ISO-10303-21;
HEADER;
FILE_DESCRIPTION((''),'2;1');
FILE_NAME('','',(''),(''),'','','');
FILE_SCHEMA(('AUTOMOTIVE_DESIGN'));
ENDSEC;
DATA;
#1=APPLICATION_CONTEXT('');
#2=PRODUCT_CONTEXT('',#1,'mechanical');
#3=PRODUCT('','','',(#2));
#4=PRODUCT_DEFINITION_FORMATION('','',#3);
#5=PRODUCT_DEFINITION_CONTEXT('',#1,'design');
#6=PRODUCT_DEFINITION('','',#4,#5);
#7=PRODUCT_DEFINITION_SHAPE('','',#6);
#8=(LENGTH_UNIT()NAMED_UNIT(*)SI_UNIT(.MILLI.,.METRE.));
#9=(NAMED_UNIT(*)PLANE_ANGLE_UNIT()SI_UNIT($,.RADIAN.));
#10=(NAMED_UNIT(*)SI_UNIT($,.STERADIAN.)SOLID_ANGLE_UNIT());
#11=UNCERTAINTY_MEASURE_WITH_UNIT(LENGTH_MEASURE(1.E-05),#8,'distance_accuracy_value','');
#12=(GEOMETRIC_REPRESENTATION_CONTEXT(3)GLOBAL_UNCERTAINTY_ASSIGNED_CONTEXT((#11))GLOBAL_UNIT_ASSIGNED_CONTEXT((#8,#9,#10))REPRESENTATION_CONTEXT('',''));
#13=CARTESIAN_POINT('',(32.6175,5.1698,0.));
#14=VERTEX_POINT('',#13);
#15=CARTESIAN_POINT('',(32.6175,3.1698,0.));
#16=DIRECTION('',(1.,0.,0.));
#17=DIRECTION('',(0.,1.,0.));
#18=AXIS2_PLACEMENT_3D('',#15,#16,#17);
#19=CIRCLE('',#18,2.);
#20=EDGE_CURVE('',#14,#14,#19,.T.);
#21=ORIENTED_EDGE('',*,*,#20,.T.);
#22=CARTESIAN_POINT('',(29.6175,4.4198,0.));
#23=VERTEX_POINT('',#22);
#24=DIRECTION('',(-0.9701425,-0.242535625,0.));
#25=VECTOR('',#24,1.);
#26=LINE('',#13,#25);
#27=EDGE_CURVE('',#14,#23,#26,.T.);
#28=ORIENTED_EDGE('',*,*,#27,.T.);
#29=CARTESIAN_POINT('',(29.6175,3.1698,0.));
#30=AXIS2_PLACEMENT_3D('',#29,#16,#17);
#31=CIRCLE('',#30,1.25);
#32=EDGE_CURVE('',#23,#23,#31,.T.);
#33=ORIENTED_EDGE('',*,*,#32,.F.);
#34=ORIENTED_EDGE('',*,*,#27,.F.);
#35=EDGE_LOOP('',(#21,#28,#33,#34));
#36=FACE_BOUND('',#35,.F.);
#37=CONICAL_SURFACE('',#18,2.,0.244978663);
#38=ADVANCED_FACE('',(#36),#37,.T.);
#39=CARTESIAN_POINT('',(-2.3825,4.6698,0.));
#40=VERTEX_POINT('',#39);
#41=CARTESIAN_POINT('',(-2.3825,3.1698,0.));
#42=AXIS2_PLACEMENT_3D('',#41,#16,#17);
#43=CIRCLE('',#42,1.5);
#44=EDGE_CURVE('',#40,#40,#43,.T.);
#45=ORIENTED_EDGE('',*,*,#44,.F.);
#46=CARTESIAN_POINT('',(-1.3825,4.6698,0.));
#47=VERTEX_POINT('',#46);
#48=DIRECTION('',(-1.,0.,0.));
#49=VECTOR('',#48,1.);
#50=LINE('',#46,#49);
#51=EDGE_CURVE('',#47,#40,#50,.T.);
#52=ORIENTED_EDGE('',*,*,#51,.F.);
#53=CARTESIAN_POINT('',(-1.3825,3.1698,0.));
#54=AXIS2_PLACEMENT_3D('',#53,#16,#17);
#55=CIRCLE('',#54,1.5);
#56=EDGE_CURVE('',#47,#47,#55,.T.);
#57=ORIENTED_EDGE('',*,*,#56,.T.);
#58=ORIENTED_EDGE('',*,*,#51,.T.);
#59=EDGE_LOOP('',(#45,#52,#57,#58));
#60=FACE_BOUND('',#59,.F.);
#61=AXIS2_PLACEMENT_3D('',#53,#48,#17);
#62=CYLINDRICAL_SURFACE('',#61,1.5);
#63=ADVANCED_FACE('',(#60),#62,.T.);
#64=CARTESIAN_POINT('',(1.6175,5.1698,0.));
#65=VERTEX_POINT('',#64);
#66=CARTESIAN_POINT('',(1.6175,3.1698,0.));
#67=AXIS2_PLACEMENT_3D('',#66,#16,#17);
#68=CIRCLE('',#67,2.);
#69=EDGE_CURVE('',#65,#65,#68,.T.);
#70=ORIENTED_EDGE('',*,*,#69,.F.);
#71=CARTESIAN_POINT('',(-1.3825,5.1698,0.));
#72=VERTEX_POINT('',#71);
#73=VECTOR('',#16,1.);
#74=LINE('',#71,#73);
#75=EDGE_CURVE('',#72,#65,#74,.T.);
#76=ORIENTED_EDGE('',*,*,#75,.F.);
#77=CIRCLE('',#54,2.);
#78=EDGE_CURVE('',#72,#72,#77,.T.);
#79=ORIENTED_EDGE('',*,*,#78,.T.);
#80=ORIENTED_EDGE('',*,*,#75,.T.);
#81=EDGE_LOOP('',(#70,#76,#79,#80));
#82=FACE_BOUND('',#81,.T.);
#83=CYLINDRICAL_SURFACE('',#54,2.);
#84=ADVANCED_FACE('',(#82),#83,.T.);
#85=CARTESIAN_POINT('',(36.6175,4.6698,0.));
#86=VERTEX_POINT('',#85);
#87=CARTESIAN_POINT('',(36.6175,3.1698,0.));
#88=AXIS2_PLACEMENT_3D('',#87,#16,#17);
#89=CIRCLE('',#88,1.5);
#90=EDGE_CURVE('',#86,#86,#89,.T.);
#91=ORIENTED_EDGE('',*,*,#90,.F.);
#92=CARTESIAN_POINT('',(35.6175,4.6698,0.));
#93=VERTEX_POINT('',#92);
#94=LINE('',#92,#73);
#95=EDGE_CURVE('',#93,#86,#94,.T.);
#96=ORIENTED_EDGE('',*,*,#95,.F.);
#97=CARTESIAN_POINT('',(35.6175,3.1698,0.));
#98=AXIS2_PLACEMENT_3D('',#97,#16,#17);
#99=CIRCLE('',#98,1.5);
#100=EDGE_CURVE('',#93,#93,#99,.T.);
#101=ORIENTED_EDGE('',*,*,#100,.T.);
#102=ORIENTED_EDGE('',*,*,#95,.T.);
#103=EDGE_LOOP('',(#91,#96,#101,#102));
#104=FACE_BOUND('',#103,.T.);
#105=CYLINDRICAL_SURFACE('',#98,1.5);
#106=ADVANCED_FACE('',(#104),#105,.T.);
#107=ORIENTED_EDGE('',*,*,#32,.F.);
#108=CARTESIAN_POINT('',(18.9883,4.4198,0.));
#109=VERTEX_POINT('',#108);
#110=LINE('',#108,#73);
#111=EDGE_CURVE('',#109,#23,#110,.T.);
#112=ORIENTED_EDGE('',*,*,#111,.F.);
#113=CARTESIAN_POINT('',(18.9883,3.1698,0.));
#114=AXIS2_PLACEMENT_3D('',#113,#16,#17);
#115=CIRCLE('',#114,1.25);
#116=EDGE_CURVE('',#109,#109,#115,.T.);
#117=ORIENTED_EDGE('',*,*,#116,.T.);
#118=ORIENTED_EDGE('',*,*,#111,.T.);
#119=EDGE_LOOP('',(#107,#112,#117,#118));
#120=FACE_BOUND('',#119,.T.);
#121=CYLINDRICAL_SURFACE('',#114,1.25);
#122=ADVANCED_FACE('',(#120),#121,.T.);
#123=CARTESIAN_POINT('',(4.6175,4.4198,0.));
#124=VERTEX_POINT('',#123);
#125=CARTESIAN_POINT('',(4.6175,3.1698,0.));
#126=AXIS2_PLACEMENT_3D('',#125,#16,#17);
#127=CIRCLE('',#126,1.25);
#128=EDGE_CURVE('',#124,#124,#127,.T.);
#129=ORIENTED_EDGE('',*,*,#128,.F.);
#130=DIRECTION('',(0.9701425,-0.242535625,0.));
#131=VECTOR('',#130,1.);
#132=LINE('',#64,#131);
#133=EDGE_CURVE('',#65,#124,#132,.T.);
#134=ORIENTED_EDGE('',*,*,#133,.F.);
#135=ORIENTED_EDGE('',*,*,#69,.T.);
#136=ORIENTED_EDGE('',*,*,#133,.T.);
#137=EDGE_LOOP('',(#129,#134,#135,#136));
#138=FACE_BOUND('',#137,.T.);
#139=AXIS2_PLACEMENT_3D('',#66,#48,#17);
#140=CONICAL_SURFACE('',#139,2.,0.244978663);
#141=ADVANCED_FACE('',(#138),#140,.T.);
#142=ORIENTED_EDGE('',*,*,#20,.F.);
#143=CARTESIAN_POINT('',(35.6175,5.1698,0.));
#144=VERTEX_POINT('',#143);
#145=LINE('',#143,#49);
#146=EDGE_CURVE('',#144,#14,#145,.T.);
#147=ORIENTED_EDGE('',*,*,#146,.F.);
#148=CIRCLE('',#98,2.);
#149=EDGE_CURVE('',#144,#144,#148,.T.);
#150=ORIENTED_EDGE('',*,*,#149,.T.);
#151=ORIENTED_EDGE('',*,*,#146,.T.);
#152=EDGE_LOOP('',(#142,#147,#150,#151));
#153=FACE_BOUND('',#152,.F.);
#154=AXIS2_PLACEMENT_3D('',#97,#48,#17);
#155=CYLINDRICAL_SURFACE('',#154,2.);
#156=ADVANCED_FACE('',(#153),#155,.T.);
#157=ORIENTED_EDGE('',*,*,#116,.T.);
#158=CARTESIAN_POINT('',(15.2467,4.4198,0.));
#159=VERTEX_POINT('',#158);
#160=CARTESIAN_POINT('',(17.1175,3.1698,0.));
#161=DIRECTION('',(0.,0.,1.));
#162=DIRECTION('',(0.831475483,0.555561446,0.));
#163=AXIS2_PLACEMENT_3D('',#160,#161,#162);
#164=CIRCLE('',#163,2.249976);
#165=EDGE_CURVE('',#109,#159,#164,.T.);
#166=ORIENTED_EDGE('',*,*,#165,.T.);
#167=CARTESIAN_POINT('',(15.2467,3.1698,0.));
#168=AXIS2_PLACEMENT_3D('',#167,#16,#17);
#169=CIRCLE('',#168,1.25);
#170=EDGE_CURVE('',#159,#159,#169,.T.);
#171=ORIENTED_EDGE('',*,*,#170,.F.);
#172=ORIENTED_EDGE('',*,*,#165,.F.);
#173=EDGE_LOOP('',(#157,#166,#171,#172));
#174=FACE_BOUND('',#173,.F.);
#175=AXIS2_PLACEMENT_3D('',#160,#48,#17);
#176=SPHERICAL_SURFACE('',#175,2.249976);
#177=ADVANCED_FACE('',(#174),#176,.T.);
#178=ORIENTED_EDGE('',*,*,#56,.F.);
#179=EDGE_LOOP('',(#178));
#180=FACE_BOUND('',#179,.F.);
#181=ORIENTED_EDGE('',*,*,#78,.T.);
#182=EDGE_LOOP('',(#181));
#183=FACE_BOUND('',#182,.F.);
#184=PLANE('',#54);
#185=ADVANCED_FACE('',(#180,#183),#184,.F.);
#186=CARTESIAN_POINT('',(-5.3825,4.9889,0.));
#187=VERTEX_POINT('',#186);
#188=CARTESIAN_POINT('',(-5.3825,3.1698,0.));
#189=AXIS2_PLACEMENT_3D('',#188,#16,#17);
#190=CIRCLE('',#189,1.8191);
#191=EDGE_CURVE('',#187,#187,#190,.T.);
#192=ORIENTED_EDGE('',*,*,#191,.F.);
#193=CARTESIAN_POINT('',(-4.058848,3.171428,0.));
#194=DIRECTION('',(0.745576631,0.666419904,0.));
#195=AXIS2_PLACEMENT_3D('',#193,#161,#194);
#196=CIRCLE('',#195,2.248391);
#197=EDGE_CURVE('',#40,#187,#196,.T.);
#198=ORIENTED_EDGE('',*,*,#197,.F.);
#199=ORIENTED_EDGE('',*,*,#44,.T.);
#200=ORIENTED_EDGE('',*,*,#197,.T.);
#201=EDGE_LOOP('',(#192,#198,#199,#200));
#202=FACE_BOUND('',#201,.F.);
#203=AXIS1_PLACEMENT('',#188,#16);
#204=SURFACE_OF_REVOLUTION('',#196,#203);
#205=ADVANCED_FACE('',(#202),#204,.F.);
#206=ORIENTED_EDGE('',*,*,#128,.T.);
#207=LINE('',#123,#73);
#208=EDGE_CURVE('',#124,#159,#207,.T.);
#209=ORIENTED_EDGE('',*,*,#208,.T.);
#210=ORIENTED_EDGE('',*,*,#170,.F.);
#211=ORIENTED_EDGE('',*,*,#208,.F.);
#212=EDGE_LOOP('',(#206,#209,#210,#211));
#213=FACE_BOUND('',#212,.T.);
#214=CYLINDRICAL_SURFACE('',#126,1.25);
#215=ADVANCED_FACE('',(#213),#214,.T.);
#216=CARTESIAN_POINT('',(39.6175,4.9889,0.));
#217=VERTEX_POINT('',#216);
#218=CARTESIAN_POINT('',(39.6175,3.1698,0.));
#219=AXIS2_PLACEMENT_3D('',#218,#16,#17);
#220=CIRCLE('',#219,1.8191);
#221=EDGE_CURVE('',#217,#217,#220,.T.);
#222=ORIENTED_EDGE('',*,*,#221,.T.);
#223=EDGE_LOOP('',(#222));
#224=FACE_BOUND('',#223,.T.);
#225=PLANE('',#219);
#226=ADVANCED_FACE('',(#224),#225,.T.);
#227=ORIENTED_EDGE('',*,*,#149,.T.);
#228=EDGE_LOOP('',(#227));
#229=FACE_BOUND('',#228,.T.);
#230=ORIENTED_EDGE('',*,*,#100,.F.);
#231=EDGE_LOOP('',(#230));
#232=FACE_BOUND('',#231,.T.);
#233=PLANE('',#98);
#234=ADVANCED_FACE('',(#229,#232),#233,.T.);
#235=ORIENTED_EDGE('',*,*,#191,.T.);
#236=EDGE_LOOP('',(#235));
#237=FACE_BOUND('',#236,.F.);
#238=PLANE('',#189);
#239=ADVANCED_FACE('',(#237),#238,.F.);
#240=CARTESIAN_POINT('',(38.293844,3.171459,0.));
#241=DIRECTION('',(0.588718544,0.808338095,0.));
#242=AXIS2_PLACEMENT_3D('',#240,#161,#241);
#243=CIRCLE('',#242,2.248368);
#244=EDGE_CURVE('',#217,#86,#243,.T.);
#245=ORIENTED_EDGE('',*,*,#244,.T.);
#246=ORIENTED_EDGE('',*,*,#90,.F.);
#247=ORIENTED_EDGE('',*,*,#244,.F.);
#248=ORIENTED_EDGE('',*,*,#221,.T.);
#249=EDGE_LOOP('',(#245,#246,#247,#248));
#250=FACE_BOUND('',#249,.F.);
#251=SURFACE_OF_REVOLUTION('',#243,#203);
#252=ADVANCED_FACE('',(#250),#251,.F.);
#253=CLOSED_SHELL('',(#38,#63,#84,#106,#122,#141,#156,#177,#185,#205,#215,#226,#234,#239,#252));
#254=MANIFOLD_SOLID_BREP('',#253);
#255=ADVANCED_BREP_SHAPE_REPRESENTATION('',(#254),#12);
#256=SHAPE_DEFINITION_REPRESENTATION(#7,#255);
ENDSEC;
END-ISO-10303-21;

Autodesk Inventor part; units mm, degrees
ref_plane "YZ Plane" through (0, 0, 0) normal (1, 0, 0) x (0, 1, 0)
ref_plane "XZ Plane" through (0, 0, 0) normal (0, 1, 0) x (-1, 0, 0)
ref_plane "XY Plane" through (0, 0, 0) normal (0, 0, 1) x (1, 0, 0)
sketch "Sketch1" plane through (0, 0, 0) normal (0, 0, 1) x (1, 0, 0)
  line L0 (-3.1649, 3.1698) -> (44.3618, 3.1698) construction
  line L1 (4.6175, 4.4198) -> (17.1175, 4.4198) construction
  line L2 (-1.3825, 5.1698) -> (1.6175, 5.1698)
  line L3 (1.6175, 5.1698) -> (4.6175, 4.4198)
  line L4 (17.1175, 14.6605) -> (17.1175, -4.6585) construction
  line L5 (-1.3825, 5.1698) -> (-1.3825, 4.6698)
  line L6 (-1.3825, 4.6698) -> (-2.3825, 4.6698)
  circle A0 centre (-4.0584, 3.1698) radius 2.25 construction
  line L7 (-2.3825, 4.6698) -> (-5.3825, 4.6698) construction
  line L8 (-5.3825, 4.9889) -> (-5.3825, 3.1698)
  arc A1 (-2.3814, 4.6698) -> (-5.3825, 4.9889) centre (-4.0584, 3.1698) ccw
  line L9 (29.6175, 4.4198) -> (17.1175, 4.4198) construction
  line L10 (35.6175, 5.1698) -> (32.6175, 5.1698)
  line L11 (32.6175, 5.1698) -> (29.6175, 4.4198)
  line L12 (35.6175, 5.1698) -> (35.6175, 4.6698)
  line L13 (35.6175, 4.6698) -> (36.6175, 4.6698)
  circle A2 centre (38.2934, 3.1698) radius 2.25 construction
  line L14 (36.6175, 4.6698) -> (39.6175, 4.6698) construction
  line L15 (39.6175, 4.9889) -> (39.6175, 3.1698)
  arc A3 (39.6175, 4.9889) -> (36.6163, 4.6698) centre (38.2934, 3.1698) ccw
  line L16 (-5.3825, 3.1698) -> (39.6175, 3.1698)
  circle A4 centre (17.1175, 3.1698) radius 2.25 construction
  line L17 (4.6175, 4.4198) -> (15.2467, 4.4198)
  arc A5 (18.9883, 4.4198) -> (15.2467, 4.4198) centre (17.1175, 3.1698) ccw
  line L18 (18.9883, 4.4198) -> (29.6175, 4.4198)
  point P0 (37.3999, 3.1698)
  dimension "d1" = 1.25
  dimension "d2" = 12.5
  dimension "d3" = 2
  dimension "d4" = 3
  dimension "d5" = 3
  dimension "d6" = 1.5
  dimension "d7" = 1
  dimension "d8" = 4.5
  dimension "d9" = 3
  dimension "d11" = 4.5
revolve "Revolution1" add sketch "Sketch1" angle 360 about axis through (-5.3825, 3.1698, 0) along (1, 0, 0)
equation "\"d11\" = d8"
properties part number "union"
